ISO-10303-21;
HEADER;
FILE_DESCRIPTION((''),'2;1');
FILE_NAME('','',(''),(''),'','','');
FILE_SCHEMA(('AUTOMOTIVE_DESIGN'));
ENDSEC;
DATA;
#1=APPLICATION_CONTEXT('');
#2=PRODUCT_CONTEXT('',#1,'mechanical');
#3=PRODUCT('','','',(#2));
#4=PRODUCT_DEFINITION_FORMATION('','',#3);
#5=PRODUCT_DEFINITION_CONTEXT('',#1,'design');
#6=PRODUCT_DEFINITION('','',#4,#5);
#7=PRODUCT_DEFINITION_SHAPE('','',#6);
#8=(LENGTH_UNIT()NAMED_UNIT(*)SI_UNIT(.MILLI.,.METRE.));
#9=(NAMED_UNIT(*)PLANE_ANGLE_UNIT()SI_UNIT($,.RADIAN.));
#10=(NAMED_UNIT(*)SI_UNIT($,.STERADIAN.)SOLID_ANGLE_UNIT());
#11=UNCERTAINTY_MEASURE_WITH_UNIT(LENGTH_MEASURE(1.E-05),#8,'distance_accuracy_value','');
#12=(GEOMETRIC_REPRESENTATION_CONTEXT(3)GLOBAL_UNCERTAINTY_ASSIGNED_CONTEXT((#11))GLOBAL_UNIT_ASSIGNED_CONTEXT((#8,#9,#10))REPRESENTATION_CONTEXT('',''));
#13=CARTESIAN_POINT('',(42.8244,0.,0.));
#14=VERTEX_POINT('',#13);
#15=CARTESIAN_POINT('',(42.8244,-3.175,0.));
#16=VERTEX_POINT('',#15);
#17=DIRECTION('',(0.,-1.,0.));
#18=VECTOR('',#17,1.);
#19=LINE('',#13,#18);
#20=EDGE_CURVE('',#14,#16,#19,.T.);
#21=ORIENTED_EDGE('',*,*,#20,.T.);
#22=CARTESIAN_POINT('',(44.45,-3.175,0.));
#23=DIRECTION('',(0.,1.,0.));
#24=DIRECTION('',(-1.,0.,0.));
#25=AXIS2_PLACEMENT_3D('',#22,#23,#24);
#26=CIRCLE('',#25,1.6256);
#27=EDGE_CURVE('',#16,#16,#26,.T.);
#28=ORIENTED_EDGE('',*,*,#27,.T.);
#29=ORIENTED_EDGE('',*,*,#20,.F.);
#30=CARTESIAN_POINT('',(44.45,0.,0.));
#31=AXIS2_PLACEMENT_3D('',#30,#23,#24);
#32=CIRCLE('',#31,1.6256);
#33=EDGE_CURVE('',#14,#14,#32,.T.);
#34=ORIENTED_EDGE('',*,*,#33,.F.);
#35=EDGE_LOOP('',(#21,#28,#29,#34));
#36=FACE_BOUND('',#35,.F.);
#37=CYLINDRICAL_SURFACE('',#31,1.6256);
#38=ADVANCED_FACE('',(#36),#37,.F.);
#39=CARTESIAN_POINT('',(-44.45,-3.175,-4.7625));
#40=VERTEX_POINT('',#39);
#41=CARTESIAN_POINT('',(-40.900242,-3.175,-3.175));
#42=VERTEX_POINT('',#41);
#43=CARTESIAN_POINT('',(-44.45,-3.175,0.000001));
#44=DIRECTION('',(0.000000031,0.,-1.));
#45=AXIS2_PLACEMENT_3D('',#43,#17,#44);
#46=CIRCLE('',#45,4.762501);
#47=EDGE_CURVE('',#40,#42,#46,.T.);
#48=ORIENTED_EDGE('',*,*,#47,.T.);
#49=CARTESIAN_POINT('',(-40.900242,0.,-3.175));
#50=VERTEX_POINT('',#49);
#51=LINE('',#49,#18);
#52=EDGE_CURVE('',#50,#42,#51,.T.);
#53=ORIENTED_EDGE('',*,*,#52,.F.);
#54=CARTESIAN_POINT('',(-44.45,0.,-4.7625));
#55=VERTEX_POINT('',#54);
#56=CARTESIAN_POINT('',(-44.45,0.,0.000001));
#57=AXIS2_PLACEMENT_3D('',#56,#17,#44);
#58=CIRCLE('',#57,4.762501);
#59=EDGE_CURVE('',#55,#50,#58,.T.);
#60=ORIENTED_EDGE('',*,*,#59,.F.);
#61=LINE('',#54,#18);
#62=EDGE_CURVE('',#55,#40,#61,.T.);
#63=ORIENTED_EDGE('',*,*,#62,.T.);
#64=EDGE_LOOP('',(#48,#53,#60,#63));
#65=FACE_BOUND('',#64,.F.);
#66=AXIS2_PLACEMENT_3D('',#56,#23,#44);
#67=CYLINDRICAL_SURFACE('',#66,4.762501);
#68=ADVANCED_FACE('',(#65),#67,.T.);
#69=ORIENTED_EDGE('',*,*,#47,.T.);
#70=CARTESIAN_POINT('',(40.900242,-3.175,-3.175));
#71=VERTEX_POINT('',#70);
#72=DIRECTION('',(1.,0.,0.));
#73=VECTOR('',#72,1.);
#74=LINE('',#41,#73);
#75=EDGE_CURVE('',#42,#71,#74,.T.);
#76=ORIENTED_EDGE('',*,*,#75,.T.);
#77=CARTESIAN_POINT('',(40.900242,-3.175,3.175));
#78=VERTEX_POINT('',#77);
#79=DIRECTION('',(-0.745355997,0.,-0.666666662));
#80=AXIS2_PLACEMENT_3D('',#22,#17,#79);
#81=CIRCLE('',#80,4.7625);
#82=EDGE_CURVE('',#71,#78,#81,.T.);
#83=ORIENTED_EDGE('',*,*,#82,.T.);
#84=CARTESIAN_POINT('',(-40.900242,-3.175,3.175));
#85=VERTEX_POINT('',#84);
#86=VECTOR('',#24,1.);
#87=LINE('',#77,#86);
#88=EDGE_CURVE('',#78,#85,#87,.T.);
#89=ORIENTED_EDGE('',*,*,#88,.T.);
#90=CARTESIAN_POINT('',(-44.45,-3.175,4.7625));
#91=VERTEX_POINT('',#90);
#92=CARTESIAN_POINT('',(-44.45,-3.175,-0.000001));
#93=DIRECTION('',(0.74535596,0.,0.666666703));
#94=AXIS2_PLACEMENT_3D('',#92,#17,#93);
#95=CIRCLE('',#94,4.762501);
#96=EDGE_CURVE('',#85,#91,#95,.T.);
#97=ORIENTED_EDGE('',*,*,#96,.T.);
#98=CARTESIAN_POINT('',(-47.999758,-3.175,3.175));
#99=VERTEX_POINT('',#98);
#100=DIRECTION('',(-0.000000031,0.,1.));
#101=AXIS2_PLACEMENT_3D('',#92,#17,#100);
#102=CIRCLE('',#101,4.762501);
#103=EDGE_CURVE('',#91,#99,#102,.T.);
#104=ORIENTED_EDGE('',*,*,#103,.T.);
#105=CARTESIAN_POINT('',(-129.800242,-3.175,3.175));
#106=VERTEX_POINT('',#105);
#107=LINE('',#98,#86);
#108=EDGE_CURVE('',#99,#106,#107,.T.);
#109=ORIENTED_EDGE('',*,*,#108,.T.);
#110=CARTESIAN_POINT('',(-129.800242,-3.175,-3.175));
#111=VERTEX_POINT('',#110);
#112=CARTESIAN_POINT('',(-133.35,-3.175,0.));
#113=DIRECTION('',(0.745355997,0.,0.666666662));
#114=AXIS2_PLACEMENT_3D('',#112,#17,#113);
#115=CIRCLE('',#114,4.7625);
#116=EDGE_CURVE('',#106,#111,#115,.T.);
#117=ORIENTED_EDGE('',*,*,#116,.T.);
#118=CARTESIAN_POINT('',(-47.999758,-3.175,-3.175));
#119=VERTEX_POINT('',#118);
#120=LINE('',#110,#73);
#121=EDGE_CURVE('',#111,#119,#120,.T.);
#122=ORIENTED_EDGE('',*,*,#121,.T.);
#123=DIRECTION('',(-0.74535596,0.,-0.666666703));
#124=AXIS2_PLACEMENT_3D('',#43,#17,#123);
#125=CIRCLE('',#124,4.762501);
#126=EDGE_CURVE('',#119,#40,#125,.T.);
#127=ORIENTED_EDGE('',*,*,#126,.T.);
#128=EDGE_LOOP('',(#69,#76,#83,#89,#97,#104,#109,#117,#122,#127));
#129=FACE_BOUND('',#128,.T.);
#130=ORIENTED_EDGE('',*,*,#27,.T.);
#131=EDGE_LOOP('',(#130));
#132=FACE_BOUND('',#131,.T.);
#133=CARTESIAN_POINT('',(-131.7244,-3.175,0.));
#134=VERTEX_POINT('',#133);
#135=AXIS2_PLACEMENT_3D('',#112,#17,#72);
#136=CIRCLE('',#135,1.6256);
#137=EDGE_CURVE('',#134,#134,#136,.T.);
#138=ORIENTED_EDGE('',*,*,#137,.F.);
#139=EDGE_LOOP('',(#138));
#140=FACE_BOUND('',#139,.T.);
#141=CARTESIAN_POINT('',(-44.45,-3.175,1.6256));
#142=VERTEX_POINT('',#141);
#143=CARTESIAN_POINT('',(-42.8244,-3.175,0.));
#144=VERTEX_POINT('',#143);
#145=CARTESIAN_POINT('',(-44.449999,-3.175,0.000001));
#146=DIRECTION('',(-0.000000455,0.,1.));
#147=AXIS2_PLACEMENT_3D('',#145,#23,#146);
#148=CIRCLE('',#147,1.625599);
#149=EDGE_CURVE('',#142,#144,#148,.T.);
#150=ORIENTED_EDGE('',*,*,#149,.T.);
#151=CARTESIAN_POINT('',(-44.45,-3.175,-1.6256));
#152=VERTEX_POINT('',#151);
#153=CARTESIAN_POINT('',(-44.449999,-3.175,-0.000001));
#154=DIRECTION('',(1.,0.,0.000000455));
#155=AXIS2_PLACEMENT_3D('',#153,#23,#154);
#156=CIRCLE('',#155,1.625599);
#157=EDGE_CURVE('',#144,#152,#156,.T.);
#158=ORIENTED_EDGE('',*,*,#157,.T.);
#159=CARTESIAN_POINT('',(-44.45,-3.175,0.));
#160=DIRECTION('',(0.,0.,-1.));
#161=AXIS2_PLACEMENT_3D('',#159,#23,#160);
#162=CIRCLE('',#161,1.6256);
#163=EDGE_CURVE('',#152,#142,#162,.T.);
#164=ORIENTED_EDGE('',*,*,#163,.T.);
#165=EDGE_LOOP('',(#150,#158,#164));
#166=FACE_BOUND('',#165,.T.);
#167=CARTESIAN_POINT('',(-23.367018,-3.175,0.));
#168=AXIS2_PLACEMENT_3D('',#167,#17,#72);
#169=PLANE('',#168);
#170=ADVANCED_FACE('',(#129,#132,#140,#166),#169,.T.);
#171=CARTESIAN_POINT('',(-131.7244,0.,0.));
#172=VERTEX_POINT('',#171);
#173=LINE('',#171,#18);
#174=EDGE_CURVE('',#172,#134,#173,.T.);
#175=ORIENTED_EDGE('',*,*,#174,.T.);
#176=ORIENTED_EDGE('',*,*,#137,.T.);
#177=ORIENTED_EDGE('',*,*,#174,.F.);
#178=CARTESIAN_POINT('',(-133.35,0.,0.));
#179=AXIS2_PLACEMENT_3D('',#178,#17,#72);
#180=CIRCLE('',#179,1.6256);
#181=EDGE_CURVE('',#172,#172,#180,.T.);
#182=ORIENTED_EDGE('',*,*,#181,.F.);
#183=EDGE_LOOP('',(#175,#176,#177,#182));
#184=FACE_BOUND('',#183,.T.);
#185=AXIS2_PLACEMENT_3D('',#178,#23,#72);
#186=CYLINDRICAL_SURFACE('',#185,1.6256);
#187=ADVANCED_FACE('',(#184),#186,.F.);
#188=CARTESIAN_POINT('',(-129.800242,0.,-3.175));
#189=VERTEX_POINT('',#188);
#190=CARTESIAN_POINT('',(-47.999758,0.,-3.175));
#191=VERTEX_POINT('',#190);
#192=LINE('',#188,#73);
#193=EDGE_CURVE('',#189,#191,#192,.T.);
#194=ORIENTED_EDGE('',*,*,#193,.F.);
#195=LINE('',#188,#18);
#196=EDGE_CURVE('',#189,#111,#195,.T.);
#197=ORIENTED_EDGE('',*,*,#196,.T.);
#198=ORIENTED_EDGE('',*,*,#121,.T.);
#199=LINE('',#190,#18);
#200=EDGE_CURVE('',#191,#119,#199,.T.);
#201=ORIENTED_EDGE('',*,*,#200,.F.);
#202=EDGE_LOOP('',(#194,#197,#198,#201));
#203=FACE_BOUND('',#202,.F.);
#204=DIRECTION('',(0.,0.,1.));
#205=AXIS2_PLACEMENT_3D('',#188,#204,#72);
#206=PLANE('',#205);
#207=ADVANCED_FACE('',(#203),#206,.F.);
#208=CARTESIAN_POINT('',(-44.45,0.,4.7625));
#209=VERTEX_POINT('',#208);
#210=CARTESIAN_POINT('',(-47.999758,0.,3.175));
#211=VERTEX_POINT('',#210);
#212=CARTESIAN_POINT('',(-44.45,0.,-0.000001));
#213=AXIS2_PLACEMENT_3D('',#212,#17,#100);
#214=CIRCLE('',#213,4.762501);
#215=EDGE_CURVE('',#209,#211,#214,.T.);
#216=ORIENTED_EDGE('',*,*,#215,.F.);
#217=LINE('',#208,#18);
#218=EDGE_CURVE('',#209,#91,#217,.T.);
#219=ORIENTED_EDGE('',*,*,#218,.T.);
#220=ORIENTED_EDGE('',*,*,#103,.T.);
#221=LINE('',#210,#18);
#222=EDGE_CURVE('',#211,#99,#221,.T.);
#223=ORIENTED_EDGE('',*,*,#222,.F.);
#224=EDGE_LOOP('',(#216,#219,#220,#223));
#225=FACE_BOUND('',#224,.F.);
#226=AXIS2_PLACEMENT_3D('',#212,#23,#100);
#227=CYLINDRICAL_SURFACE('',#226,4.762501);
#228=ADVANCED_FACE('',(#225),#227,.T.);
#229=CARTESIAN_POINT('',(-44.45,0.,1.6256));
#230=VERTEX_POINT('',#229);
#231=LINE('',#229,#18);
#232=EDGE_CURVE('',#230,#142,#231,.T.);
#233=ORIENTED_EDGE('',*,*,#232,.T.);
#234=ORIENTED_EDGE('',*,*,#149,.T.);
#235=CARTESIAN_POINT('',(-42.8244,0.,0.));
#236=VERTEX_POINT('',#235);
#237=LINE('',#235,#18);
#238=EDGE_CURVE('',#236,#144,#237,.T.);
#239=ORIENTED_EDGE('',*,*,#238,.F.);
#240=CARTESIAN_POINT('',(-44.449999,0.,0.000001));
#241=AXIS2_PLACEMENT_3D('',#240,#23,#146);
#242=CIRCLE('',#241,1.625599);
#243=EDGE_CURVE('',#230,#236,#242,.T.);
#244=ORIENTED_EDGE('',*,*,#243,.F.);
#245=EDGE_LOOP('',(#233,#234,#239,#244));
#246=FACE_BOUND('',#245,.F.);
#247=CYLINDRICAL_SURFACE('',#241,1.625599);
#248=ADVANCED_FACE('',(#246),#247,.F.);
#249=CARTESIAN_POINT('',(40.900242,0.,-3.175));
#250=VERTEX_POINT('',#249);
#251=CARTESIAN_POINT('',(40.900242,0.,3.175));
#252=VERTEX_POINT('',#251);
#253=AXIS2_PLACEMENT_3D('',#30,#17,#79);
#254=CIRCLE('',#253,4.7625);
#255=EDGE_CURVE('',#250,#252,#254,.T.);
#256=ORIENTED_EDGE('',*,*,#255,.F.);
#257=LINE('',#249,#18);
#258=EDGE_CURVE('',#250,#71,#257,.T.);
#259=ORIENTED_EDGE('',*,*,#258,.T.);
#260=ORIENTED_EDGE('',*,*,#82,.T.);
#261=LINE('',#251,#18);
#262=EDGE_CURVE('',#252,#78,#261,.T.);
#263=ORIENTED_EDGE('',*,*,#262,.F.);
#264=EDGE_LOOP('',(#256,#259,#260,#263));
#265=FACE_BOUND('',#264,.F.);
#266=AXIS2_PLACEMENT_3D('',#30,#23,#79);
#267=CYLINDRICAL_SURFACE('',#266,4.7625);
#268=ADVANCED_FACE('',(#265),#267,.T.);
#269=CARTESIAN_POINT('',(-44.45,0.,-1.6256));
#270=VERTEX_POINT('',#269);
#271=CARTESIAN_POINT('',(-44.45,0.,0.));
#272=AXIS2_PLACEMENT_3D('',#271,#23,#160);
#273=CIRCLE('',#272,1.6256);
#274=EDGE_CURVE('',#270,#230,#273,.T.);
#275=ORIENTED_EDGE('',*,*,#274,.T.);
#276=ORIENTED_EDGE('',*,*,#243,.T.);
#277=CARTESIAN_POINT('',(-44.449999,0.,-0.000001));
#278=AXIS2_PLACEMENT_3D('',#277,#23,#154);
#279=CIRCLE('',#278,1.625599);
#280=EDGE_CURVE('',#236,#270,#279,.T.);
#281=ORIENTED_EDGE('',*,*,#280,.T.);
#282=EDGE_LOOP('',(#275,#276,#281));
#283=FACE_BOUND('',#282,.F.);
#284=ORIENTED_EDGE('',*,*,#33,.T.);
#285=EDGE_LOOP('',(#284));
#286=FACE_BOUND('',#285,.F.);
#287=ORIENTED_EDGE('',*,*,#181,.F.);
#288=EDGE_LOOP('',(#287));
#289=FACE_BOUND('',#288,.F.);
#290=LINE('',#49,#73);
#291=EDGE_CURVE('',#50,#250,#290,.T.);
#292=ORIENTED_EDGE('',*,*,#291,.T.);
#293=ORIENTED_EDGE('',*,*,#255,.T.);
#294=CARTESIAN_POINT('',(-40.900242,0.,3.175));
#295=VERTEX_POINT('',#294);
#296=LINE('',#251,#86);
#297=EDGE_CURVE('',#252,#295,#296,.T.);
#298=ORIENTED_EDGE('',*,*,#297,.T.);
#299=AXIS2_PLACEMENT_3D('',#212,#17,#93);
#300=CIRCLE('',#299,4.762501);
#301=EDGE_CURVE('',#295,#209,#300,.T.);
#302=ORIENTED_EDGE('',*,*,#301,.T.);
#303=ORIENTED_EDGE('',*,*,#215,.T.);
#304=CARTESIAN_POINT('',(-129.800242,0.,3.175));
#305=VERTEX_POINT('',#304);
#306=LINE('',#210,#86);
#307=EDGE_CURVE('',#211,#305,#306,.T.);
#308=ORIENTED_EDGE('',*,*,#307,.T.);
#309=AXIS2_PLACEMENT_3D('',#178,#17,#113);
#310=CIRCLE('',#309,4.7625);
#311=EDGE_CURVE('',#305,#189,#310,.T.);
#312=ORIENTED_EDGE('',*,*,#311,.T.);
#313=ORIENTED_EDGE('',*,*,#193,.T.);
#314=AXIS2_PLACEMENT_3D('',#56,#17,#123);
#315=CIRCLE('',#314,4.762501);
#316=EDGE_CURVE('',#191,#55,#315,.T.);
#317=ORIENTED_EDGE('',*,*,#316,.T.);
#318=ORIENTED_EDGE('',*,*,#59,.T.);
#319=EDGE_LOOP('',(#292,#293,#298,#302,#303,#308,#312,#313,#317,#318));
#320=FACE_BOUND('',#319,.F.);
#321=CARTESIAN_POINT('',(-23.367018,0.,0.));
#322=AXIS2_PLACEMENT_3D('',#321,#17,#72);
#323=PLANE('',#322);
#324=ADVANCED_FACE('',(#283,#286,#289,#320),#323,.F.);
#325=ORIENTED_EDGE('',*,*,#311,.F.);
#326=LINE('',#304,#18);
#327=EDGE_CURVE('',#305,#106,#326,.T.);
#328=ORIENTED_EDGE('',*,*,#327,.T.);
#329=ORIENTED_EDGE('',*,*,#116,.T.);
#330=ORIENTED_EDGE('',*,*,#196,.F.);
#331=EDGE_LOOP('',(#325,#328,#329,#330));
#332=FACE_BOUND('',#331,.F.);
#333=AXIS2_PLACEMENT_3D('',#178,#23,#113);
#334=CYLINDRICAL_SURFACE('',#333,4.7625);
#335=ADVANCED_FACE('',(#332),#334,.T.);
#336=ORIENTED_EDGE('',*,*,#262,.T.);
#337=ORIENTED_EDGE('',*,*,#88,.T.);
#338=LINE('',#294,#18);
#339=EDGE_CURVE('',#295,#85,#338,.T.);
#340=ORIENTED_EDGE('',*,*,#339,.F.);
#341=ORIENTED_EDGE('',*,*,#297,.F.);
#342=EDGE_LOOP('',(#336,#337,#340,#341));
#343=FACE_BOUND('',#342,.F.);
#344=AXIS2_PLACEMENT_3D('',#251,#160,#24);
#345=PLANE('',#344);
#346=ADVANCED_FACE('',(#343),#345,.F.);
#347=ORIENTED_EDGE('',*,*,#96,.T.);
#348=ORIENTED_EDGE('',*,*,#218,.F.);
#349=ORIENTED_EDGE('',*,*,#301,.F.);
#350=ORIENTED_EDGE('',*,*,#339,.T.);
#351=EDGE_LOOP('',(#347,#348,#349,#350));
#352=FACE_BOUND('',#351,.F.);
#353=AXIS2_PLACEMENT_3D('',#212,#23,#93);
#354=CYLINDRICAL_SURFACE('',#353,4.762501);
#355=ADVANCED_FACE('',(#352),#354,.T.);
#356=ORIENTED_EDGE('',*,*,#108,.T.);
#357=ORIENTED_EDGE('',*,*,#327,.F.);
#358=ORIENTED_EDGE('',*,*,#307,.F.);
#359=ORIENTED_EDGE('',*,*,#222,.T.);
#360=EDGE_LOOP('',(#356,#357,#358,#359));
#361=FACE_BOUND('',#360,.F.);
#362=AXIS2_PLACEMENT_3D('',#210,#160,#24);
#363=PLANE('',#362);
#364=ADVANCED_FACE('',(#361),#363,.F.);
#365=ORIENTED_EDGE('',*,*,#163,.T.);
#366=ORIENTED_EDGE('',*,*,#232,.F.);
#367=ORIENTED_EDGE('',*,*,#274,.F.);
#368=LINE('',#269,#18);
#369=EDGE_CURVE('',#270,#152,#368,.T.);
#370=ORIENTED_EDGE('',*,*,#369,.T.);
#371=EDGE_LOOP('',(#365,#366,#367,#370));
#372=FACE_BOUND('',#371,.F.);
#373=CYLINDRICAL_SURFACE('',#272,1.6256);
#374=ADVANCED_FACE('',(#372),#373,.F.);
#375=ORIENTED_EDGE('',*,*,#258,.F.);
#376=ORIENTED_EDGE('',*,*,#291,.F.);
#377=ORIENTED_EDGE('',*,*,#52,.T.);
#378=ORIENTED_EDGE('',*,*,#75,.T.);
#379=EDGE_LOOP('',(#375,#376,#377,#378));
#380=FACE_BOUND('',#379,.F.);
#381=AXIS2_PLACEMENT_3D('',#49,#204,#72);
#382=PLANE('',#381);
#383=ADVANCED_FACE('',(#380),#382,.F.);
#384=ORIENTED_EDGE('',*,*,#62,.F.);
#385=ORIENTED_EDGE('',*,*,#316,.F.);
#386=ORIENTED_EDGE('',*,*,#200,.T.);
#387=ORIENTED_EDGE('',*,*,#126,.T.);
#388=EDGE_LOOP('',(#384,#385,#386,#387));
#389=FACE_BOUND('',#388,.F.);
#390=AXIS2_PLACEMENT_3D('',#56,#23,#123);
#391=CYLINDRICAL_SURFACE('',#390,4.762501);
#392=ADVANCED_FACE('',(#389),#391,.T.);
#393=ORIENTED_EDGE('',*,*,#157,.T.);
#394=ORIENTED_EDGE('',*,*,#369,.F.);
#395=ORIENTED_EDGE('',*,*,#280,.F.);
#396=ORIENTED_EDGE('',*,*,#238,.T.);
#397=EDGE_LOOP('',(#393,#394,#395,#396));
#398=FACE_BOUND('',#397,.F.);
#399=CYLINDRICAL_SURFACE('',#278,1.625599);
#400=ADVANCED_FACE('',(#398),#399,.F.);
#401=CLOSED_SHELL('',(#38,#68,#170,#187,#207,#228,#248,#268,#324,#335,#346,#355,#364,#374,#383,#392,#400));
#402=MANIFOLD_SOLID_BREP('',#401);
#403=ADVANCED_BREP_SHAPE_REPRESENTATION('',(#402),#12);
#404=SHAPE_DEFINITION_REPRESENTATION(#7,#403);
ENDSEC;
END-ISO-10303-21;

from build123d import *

# Parameters (mm, degrees)
F0_R     = 1.6256
F1_DEPTH = 3.175


with BuildPart() as f1:
    # F0 (on Front) → F1 (new body)
    with BuildSketch(Plane.XZ):
        with BuildLine():
            Line((0, -3.175), (0, 0))
            Line((0, 0), (0, 3.175))
            Line((0, 3.175), (-40.900242, 3.175))
            ThreePointArc((-40.900242, 3.175), (-42.505718, 4.347548), (-44.45, 4.7625))
            Line((-44.45, 4.7625), (-44.45, 1.6256))
            ThreePointArc((-44.45, 1.6256), (-43.300527, 1.149473), (-42.8244, 0))
            ThreePointArc((-42.8244, 0), (-43.300527, -1.149473), (-44.45, -1.6256))
            Line((-44.45, -1.6256), (-44.45, -4.7625))
            ThreePointArc((-44.45, -4.7625), (-42.505718, -4.347548), (-40.900242, -3.175))
            Line((-40.900242, -3.175), (0, -3.175))
        make_face()
        with BuildLine():
            Line((0, 3.175), (0, 0))
            Line((0, 0), (0, -3.175))
            Line((0, -3.175), (40.900242, -3.175))
            ThreePointArc((40.900242, -3.175), (49.2125, 0), (40.900242, 3.175))
            Line((40.900242, 3.175), (0, 3.175))
        make_face()
        with BuildLine():
            ThreePointArc((46.0756, 0), (44.45, -1.6256), (42.8244, 0))
            ThreePointArc((42.8244, 0), (44.45, 1.6256), (46.0756, 0))
        make_face(mode=Mode.SUBTRACT)
        with BuildLine():
            ThreePointArc((-47.999758, -3.175), (-49.2125, 0), (-47.999758, 3.175))
            Line((-47.999758, 3.175), (-88.9, 3.175))
            Line((-88.9, 3.175), (-129.800242, 3.175))
            ThreePointArc((-129.800242, 3.175), (-138.1125, 0), (-129.800242, -3.175))
            Line((-129.800242, -3.175), (-88.9, -3.175))
            Line((-88.9, -3.175), (-47.999758, -3.175))
        make_face()
        with Locations((-133.35, 0)):
            Circle(F0_R, mode=Mode.SUBTRACT)
        with BuildLine():
            Line((-44.45, 1.6256), (-44.45, 4.7625))
            ThreePointArc((-44.45, 4.7625), (-46.394282, 4.347548), (-47.999758, 3.175))
            ThreePointArc((-47.999758, 3.175), (-49.2125, 0), (-47.999758, -3.175))
            ThreePointArc((-47.999758, -3.175), (-46.394282, -4.347548), (-44.45, -4.7625))
            Line((-44.45, -4.7625), (-44.45, -1.6256))
            ThreePointArc((-44.45, -1.6256), (-46.0756, 0), (-44.45, 1.6256))
        make_face()
    extrude(amount=F1_DEPTH)


solid = f1.part
